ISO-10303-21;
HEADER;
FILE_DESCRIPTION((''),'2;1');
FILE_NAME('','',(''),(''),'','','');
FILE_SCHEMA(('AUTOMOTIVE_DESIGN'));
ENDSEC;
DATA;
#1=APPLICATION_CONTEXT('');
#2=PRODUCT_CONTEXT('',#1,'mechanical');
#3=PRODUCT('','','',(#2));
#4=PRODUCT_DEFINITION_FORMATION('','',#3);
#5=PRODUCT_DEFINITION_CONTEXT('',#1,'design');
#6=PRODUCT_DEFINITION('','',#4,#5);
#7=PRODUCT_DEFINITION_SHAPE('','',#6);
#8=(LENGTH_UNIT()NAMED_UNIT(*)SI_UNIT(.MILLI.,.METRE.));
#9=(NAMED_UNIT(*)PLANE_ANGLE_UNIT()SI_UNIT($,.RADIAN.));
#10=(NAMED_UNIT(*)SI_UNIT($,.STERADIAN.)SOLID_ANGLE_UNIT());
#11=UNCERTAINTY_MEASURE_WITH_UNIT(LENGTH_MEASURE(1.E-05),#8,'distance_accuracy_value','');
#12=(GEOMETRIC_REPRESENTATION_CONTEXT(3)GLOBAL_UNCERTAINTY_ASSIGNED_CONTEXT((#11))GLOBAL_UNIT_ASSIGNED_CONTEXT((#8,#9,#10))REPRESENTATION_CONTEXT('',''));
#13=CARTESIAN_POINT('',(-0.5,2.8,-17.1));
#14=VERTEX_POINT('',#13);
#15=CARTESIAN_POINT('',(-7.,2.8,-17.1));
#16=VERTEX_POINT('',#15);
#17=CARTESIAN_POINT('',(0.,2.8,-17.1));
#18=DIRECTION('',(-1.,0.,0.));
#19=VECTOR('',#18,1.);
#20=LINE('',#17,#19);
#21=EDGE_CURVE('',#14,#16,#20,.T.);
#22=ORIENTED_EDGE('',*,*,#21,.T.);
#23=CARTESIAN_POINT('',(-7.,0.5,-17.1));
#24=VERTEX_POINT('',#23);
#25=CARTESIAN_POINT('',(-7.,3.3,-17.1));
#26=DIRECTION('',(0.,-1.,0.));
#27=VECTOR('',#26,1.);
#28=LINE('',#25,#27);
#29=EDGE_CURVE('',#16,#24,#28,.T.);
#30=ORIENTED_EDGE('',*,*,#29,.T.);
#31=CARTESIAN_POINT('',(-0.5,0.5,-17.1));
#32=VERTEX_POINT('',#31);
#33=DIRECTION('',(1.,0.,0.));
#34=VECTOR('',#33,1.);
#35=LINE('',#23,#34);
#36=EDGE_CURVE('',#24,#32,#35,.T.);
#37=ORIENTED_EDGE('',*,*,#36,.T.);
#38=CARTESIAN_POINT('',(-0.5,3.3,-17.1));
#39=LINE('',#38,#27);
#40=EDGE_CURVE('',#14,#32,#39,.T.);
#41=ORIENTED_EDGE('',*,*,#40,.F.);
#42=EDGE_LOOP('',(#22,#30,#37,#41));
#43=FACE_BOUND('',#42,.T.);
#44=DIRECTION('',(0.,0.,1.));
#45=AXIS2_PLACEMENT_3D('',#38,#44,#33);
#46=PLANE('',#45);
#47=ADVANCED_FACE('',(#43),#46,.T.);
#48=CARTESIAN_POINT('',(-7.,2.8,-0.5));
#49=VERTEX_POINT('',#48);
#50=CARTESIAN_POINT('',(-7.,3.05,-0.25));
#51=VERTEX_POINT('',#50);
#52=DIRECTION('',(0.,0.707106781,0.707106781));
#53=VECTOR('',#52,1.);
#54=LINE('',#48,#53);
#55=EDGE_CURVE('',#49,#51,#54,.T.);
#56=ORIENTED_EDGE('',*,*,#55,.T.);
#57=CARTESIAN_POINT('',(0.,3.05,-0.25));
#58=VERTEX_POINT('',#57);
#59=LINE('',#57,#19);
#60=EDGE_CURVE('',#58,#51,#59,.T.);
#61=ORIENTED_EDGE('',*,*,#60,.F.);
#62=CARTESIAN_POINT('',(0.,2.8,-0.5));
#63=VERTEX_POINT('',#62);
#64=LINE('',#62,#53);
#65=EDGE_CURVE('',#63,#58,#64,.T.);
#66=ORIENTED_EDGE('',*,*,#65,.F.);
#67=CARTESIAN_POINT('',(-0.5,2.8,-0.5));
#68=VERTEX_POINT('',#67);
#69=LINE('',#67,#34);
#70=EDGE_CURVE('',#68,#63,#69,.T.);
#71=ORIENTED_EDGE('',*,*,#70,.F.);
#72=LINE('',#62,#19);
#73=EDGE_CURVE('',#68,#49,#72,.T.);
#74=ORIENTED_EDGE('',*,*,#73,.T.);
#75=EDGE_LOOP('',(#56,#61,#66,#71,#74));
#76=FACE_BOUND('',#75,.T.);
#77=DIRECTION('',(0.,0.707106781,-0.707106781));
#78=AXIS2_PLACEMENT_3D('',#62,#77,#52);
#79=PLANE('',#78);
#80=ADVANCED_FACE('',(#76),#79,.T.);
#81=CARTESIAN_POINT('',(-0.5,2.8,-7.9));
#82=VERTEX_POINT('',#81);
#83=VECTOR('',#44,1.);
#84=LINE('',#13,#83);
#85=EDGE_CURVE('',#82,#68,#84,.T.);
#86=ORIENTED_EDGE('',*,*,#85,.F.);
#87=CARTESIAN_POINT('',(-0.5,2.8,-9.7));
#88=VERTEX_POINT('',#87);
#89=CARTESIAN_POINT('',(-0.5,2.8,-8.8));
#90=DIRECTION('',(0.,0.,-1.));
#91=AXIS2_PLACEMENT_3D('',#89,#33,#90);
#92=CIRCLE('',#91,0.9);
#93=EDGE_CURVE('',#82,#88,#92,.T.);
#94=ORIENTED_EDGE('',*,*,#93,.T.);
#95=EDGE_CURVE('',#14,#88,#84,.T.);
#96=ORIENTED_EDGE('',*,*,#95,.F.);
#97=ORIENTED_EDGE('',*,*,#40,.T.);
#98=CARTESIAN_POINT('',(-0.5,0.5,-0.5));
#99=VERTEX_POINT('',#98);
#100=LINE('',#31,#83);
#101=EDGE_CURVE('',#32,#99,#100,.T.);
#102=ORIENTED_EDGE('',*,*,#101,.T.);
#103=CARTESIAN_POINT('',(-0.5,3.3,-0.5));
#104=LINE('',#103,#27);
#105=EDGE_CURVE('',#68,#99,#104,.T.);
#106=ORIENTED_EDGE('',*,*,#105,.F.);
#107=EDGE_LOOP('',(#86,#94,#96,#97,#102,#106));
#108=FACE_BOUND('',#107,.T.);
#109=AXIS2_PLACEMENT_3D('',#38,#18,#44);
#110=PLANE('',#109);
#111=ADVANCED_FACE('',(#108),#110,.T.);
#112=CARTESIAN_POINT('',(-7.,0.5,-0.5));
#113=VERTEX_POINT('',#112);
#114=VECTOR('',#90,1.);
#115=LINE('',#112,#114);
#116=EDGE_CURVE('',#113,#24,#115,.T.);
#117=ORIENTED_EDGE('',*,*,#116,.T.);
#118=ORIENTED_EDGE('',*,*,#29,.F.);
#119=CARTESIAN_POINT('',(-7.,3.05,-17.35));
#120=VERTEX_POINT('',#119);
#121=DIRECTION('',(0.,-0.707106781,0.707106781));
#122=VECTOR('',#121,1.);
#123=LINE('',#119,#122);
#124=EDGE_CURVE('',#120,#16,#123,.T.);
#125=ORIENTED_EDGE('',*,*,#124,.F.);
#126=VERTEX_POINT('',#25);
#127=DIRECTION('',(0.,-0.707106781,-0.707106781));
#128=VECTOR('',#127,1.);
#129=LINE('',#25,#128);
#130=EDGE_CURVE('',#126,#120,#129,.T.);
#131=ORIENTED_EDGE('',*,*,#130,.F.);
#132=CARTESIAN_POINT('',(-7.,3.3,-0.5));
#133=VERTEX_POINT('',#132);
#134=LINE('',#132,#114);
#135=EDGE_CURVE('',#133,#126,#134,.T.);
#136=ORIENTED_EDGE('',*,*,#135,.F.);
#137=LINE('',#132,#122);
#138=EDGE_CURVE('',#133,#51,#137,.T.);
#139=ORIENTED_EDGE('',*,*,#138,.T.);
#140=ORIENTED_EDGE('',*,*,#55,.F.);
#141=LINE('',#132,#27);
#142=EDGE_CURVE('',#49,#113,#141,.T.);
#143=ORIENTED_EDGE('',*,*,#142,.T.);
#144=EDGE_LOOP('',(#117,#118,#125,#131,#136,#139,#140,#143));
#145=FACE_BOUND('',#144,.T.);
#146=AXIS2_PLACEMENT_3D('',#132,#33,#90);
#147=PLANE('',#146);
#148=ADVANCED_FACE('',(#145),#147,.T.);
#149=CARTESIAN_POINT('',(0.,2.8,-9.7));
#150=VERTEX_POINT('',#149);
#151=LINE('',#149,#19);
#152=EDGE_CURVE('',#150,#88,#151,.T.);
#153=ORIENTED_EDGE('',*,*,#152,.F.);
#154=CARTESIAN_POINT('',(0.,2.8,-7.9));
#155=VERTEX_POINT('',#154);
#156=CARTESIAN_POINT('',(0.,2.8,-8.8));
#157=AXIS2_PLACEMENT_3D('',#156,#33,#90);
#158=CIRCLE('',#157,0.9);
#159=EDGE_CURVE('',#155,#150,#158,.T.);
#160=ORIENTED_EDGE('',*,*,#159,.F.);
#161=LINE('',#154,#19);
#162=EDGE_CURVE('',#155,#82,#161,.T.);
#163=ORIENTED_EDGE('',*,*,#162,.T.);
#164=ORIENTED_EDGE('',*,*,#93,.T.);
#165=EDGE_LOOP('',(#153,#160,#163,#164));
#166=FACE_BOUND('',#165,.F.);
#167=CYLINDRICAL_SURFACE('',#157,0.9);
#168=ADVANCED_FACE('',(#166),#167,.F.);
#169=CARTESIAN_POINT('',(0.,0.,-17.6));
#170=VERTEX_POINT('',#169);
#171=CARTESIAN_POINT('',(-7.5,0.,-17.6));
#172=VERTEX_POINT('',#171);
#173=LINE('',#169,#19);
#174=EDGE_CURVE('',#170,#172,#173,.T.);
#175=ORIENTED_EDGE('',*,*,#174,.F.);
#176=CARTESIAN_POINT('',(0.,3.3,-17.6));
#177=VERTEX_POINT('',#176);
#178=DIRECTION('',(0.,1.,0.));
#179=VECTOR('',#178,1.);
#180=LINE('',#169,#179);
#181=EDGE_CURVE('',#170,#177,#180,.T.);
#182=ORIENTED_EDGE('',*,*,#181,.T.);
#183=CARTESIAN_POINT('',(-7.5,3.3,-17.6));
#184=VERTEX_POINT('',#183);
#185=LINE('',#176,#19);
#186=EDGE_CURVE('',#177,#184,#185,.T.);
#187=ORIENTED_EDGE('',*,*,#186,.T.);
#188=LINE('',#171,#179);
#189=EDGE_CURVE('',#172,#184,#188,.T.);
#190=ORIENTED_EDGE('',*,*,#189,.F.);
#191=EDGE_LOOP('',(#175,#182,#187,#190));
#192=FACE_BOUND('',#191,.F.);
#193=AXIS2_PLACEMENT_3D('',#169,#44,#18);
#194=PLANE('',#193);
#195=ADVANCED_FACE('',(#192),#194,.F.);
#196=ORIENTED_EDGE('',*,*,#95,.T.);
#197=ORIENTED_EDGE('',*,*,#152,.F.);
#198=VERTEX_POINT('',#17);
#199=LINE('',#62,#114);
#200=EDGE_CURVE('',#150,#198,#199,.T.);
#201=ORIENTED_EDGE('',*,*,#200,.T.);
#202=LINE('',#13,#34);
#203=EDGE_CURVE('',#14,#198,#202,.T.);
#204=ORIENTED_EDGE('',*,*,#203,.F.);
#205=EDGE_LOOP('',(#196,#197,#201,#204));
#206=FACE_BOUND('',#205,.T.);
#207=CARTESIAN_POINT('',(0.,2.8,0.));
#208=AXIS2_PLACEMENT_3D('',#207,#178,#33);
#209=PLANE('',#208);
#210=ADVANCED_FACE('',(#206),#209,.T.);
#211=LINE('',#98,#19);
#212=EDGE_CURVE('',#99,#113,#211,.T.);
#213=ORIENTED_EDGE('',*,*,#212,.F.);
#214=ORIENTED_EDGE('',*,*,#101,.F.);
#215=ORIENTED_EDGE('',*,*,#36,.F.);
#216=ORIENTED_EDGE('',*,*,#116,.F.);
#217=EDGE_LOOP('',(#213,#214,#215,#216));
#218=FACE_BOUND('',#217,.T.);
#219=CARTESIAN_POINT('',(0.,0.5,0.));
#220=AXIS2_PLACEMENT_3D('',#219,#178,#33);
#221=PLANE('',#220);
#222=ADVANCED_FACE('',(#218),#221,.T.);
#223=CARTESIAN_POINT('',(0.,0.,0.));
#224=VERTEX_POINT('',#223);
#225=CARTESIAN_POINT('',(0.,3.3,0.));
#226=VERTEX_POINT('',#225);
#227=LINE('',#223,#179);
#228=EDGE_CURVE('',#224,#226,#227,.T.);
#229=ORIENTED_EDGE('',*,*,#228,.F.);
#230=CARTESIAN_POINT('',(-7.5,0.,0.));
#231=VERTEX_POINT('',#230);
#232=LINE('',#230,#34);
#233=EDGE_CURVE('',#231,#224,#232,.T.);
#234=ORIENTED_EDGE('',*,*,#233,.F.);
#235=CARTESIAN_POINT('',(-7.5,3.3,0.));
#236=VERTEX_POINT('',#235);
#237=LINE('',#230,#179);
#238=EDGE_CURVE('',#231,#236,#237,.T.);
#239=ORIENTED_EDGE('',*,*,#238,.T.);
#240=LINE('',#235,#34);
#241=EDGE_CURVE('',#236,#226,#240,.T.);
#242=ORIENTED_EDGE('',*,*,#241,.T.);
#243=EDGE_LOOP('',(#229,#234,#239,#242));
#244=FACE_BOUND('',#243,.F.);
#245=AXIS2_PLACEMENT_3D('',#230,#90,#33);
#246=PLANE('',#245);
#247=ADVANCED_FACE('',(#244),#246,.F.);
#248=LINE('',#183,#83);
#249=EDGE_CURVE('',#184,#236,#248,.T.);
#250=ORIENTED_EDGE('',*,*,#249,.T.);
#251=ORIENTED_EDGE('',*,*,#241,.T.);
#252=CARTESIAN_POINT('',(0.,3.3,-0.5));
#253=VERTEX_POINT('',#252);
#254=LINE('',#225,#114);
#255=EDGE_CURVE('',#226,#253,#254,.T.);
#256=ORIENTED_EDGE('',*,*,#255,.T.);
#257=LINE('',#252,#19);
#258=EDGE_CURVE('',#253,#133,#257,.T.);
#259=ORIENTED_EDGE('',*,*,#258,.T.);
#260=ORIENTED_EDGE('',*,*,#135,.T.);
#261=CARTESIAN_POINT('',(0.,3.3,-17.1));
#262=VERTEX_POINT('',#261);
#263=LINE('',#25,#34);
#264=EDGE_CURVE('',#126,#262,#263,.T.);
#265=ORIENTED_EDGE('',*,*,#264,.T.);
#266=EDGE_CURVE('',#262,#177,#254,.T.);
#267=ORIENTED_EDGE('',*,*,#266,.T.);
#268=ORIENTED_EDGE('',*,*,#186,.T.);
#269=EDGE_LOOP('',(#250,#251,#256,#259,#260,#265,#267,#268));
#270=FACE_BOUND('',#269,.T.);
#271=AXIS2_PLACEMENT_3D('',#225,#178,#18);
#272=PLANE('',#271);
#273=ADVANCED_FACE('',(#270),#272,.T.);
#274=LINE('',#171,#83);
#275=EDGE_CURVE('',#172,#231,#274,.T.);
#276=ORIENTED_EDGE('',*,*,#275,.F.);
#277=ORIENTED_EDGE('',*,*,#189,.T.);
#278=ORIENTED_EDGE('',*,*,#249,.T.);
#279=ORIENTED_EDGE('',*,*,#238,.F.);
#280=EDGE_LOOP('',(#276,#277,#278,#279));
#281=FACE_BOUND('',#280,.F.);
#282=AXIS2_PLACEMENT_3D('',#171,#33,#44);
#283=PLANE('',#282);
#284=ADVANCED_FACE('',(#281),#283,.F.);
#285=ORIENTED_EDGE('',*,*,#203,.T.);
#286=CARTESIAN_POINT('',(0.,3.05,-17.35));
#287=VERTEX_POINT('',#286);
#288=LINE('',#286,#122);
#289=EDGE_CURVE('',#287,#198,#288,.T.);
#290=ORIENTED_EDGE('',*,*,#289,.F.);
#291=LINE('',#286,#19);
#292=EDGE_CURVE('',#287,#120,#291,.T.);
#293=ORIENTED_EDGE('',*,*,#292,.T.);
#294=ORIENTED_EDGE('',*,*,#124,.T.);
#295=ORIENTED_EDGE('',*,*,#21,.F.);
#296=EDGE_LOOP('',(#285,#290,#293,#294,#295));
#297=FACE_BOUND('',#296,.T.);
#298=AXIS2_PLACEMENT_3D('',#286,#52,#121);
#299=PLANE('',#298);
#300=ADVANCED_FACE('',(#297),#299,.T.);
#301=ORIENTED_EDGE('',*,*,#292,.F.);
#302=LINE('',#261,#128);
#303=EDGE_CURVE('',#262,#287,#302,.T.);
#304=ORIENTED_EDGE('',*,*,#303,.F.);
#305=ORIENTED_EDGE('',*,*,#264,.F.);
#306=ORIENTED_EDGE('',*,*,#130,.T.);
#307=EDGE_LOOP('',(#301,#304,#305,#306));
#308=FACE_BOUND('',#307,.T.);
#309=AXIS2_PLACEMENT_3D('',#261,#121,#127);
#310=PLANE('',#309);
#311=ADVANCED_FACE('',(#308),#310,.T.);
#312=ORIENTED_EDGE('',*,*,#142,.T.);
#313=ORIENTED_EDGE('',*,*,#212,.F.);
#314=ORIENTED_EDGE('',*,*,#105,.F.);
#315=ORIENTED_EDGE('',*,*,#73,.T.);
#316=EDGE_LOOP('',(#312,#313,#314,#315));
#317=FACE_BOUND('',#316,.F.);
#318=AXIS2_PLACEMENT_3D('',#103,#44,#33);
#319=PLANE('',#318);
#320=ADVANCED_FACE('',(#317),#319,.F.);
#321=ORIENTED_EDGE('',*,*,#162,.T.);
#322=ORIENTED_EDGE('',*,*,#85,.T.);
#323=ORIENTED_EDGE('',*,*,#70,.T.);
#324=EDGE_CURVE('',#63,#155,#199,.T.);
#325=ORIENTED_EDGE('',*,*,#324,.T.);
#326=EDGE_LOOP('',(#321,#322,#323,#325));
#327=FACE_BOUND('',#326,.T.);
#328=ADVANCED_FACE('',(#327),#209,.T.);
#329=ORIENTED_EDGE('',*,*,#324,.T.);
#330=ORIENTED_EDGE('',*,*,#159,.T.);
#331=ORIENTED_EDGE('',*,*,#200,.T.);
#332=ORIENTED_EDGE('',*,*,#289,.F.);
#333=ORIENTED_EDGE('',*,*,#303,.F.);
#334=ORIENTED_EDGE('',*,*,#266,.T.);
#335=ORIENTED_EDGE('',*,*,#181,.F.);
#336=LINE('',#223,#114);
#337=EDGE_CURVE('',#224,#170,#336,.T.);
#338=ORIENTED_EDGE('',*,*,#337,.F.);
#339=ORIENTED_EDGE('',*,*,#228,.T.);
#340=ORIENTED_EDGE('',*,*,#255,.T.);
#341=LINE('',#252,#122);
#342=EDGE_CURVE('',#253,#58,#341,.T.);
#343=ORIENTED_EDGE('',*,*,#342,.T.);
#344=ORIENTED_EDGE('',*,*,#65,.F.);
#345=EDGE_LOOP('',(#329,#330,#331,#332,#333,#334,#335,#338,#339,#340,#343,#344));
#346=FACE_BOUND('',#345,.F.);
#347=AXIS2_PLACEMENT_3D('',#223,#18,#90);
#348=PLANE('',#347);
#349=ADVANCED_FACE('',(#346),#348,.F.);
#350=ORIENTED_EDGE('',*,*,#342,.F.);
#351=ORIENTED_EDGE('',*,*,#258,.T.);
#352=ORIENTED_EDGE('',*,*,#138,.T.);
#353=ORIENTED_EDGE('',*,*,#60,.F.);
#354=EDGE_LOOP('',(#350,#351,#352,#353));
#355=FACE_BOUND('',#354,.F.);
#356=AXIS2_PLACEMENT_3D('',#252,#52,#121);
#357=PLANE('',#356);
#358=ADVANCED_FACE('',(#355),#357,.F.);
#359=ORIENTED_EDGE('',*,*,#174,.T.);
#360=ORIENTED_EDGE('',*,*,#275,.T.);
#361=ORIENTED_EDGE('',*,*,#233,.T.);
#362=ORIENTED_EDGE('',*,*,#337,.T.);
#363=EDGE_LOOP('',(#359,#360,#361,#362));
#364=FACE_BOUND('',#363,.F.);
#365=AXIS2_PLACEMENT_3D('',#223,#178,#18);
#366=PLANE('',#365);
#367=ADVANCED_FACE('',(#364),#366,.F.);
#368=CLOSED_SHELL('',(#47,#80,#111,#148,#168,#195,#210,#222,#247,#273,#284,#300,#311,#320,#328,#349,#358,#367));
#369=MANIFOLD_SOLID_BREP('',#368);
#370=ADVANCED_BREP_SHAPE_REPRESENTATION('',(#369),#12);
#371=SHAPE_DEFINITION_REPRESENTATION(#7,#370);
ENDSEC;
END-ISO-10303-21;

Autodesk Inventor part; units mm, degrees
ref_plane "YZ Plane" through (0, 0, 0) normal (1, 0, 0) x (0, 1, 0)
ref_plane "XZ Plane" through (0, 0, 0) normal (0, 1, 0) x (-1, 0, 0)
ref_plane "XY Plane" through (0, 0, 0) normal (0, 0, 1) x (1, 0, 0)
sketch "Boceto1" plane through (0, 0, 0) normal (0, 1, 0) x (-1, 0, 0)
  line L0 (0, 0) -> (0, -17.6)
  line L1 (0, -17.6) -> (7.5, -17.6)
  line L2 (7.5, -17.6) -> (7.5, 0)
  line L3 (7.5, 0) -> (0, 0)
  dimension "d0" = 17.6
  dimension "d1" = 7.5
extrude "Extrusión1" add sketch "Boceto1" along normal blind 3.3
sketch "Boceto2" plane through (0, 3.3, 0) normal (0, 1, 0) x (1, 0, 0)
  line L0 (0, 0) -> (0, 17.6) projected
  line L1 (0, 17.6) -> (-7.5, 17.6) projected
  line L2 (-7.5, 17.6) -> (-7.5, 0) projected
  line L3 (-7.5, 0) -> (0, 0) projected
  line L4 (-7, 0.5) -> (-7, 17.1)
  line L5 (-7, 17.1) -> (-0.5, 17.1)
  line L6 (-0.5, 17.1) -> (-0.5, 0.5)
  line L7 (-0.5, 0.5) -> (-7, 0.5)
  dimension "d4" = 0.5
extrude "Extrusión2" cut sketch "Boceto2" against normal blind 2.8 contours L4 L5 L6 L7
sketch "Boceto3" plane through (0, 3.3, 0) normal (0, 1, 0) x (1, 0, 0)
  line L0 (-0.5, 17.1) -> (-0.5, 0.5) projected
  line L1 (-0.5, 0.5) -> (0, 0.5)
  line L2 (0, 0.5) -> (0, 17.1)
  line L3 (0, 0) -> (0, 17.6) projected
  line L4 (-0.5, 17.1) -> (-0.5, 0.5) projected
  line L5 (-0.5, 17.1) -> (-0.5, 0.5)
  line L6 (-0.5, 0.5) -> (-0.5, 17.1)
  line L7 (-0.5, 17.1) -> (0, 17.1)
extrude "Extrusión3" cut sketch "Boceto3" against normal blind 0.5
sketch "Boceto4" plane through (0, 0, 0) normal (1, 0, 0) x (0, 0, -1)
  line L0 (0.5, 2.8) -> (0.5, 3.3) projected
  line L1 (0, 3.3) -> (0.5, 3.3) projected
  line L2 (0, 0) -> (0, 3.3) projected
  line L3 (0, 0) -> (17.6, 0) projected
  line L4 (17.6, 0) -> (17.6, 3.3) projected
  line L5 (17.1, 3.3) -> (17.6, 3.3) projected
  line L6 (17.1, 3.3) -> (17.1, 2.8) projected
  line L7 (17.1, 2.8) -> (0.5, 2.8) projected
  line L8 (0.5, 3.3) -> (0.5, 0.5) projected
  line L9 (0.5, 2.8) -> (0.5, 3.3)
  line L10 (0.5, 3.3) -> (0.5, 3.05)
  line L11 (0.5, 2.8) -> (0.25, 3.05)
  line L12 (0.5, 3.3) -> (0.25, 3.05)
  line L13 (17.1, 3.3) -> (17.1, 2.8)
  line L14 (17.1, 3.3) -> (17.6, 3.3) projected
  line L15 (17.1, 3.3) -> (17.35, 3.05)
  line L16 (17.35, 3.05) -> (17.1, 2.8)
extrude "Extrusión4" cut sketch "Boceto4" against normal blind 7 contours L11 L12 L0 | L6 L15 L16
sketch "Boceto5" plane through (0, 0, 0) normal (1, 0, 0) x (0, 0, -1)
  line L0 (0.5, 2.8) -> (17.1, 2.8) projected
  circle A0 centre (8.8, 2.8) radius 0.9
  line L1 (7.9, 2.8) -> (9.7, 2.8)
  point P0 (0, 0)
  dimension "d11" = 1.8
extrude "Extrusión5" cut sketch "Boceto5" against normal blind 5 contours L0 A0 picked at (8.728, 2.3801)
